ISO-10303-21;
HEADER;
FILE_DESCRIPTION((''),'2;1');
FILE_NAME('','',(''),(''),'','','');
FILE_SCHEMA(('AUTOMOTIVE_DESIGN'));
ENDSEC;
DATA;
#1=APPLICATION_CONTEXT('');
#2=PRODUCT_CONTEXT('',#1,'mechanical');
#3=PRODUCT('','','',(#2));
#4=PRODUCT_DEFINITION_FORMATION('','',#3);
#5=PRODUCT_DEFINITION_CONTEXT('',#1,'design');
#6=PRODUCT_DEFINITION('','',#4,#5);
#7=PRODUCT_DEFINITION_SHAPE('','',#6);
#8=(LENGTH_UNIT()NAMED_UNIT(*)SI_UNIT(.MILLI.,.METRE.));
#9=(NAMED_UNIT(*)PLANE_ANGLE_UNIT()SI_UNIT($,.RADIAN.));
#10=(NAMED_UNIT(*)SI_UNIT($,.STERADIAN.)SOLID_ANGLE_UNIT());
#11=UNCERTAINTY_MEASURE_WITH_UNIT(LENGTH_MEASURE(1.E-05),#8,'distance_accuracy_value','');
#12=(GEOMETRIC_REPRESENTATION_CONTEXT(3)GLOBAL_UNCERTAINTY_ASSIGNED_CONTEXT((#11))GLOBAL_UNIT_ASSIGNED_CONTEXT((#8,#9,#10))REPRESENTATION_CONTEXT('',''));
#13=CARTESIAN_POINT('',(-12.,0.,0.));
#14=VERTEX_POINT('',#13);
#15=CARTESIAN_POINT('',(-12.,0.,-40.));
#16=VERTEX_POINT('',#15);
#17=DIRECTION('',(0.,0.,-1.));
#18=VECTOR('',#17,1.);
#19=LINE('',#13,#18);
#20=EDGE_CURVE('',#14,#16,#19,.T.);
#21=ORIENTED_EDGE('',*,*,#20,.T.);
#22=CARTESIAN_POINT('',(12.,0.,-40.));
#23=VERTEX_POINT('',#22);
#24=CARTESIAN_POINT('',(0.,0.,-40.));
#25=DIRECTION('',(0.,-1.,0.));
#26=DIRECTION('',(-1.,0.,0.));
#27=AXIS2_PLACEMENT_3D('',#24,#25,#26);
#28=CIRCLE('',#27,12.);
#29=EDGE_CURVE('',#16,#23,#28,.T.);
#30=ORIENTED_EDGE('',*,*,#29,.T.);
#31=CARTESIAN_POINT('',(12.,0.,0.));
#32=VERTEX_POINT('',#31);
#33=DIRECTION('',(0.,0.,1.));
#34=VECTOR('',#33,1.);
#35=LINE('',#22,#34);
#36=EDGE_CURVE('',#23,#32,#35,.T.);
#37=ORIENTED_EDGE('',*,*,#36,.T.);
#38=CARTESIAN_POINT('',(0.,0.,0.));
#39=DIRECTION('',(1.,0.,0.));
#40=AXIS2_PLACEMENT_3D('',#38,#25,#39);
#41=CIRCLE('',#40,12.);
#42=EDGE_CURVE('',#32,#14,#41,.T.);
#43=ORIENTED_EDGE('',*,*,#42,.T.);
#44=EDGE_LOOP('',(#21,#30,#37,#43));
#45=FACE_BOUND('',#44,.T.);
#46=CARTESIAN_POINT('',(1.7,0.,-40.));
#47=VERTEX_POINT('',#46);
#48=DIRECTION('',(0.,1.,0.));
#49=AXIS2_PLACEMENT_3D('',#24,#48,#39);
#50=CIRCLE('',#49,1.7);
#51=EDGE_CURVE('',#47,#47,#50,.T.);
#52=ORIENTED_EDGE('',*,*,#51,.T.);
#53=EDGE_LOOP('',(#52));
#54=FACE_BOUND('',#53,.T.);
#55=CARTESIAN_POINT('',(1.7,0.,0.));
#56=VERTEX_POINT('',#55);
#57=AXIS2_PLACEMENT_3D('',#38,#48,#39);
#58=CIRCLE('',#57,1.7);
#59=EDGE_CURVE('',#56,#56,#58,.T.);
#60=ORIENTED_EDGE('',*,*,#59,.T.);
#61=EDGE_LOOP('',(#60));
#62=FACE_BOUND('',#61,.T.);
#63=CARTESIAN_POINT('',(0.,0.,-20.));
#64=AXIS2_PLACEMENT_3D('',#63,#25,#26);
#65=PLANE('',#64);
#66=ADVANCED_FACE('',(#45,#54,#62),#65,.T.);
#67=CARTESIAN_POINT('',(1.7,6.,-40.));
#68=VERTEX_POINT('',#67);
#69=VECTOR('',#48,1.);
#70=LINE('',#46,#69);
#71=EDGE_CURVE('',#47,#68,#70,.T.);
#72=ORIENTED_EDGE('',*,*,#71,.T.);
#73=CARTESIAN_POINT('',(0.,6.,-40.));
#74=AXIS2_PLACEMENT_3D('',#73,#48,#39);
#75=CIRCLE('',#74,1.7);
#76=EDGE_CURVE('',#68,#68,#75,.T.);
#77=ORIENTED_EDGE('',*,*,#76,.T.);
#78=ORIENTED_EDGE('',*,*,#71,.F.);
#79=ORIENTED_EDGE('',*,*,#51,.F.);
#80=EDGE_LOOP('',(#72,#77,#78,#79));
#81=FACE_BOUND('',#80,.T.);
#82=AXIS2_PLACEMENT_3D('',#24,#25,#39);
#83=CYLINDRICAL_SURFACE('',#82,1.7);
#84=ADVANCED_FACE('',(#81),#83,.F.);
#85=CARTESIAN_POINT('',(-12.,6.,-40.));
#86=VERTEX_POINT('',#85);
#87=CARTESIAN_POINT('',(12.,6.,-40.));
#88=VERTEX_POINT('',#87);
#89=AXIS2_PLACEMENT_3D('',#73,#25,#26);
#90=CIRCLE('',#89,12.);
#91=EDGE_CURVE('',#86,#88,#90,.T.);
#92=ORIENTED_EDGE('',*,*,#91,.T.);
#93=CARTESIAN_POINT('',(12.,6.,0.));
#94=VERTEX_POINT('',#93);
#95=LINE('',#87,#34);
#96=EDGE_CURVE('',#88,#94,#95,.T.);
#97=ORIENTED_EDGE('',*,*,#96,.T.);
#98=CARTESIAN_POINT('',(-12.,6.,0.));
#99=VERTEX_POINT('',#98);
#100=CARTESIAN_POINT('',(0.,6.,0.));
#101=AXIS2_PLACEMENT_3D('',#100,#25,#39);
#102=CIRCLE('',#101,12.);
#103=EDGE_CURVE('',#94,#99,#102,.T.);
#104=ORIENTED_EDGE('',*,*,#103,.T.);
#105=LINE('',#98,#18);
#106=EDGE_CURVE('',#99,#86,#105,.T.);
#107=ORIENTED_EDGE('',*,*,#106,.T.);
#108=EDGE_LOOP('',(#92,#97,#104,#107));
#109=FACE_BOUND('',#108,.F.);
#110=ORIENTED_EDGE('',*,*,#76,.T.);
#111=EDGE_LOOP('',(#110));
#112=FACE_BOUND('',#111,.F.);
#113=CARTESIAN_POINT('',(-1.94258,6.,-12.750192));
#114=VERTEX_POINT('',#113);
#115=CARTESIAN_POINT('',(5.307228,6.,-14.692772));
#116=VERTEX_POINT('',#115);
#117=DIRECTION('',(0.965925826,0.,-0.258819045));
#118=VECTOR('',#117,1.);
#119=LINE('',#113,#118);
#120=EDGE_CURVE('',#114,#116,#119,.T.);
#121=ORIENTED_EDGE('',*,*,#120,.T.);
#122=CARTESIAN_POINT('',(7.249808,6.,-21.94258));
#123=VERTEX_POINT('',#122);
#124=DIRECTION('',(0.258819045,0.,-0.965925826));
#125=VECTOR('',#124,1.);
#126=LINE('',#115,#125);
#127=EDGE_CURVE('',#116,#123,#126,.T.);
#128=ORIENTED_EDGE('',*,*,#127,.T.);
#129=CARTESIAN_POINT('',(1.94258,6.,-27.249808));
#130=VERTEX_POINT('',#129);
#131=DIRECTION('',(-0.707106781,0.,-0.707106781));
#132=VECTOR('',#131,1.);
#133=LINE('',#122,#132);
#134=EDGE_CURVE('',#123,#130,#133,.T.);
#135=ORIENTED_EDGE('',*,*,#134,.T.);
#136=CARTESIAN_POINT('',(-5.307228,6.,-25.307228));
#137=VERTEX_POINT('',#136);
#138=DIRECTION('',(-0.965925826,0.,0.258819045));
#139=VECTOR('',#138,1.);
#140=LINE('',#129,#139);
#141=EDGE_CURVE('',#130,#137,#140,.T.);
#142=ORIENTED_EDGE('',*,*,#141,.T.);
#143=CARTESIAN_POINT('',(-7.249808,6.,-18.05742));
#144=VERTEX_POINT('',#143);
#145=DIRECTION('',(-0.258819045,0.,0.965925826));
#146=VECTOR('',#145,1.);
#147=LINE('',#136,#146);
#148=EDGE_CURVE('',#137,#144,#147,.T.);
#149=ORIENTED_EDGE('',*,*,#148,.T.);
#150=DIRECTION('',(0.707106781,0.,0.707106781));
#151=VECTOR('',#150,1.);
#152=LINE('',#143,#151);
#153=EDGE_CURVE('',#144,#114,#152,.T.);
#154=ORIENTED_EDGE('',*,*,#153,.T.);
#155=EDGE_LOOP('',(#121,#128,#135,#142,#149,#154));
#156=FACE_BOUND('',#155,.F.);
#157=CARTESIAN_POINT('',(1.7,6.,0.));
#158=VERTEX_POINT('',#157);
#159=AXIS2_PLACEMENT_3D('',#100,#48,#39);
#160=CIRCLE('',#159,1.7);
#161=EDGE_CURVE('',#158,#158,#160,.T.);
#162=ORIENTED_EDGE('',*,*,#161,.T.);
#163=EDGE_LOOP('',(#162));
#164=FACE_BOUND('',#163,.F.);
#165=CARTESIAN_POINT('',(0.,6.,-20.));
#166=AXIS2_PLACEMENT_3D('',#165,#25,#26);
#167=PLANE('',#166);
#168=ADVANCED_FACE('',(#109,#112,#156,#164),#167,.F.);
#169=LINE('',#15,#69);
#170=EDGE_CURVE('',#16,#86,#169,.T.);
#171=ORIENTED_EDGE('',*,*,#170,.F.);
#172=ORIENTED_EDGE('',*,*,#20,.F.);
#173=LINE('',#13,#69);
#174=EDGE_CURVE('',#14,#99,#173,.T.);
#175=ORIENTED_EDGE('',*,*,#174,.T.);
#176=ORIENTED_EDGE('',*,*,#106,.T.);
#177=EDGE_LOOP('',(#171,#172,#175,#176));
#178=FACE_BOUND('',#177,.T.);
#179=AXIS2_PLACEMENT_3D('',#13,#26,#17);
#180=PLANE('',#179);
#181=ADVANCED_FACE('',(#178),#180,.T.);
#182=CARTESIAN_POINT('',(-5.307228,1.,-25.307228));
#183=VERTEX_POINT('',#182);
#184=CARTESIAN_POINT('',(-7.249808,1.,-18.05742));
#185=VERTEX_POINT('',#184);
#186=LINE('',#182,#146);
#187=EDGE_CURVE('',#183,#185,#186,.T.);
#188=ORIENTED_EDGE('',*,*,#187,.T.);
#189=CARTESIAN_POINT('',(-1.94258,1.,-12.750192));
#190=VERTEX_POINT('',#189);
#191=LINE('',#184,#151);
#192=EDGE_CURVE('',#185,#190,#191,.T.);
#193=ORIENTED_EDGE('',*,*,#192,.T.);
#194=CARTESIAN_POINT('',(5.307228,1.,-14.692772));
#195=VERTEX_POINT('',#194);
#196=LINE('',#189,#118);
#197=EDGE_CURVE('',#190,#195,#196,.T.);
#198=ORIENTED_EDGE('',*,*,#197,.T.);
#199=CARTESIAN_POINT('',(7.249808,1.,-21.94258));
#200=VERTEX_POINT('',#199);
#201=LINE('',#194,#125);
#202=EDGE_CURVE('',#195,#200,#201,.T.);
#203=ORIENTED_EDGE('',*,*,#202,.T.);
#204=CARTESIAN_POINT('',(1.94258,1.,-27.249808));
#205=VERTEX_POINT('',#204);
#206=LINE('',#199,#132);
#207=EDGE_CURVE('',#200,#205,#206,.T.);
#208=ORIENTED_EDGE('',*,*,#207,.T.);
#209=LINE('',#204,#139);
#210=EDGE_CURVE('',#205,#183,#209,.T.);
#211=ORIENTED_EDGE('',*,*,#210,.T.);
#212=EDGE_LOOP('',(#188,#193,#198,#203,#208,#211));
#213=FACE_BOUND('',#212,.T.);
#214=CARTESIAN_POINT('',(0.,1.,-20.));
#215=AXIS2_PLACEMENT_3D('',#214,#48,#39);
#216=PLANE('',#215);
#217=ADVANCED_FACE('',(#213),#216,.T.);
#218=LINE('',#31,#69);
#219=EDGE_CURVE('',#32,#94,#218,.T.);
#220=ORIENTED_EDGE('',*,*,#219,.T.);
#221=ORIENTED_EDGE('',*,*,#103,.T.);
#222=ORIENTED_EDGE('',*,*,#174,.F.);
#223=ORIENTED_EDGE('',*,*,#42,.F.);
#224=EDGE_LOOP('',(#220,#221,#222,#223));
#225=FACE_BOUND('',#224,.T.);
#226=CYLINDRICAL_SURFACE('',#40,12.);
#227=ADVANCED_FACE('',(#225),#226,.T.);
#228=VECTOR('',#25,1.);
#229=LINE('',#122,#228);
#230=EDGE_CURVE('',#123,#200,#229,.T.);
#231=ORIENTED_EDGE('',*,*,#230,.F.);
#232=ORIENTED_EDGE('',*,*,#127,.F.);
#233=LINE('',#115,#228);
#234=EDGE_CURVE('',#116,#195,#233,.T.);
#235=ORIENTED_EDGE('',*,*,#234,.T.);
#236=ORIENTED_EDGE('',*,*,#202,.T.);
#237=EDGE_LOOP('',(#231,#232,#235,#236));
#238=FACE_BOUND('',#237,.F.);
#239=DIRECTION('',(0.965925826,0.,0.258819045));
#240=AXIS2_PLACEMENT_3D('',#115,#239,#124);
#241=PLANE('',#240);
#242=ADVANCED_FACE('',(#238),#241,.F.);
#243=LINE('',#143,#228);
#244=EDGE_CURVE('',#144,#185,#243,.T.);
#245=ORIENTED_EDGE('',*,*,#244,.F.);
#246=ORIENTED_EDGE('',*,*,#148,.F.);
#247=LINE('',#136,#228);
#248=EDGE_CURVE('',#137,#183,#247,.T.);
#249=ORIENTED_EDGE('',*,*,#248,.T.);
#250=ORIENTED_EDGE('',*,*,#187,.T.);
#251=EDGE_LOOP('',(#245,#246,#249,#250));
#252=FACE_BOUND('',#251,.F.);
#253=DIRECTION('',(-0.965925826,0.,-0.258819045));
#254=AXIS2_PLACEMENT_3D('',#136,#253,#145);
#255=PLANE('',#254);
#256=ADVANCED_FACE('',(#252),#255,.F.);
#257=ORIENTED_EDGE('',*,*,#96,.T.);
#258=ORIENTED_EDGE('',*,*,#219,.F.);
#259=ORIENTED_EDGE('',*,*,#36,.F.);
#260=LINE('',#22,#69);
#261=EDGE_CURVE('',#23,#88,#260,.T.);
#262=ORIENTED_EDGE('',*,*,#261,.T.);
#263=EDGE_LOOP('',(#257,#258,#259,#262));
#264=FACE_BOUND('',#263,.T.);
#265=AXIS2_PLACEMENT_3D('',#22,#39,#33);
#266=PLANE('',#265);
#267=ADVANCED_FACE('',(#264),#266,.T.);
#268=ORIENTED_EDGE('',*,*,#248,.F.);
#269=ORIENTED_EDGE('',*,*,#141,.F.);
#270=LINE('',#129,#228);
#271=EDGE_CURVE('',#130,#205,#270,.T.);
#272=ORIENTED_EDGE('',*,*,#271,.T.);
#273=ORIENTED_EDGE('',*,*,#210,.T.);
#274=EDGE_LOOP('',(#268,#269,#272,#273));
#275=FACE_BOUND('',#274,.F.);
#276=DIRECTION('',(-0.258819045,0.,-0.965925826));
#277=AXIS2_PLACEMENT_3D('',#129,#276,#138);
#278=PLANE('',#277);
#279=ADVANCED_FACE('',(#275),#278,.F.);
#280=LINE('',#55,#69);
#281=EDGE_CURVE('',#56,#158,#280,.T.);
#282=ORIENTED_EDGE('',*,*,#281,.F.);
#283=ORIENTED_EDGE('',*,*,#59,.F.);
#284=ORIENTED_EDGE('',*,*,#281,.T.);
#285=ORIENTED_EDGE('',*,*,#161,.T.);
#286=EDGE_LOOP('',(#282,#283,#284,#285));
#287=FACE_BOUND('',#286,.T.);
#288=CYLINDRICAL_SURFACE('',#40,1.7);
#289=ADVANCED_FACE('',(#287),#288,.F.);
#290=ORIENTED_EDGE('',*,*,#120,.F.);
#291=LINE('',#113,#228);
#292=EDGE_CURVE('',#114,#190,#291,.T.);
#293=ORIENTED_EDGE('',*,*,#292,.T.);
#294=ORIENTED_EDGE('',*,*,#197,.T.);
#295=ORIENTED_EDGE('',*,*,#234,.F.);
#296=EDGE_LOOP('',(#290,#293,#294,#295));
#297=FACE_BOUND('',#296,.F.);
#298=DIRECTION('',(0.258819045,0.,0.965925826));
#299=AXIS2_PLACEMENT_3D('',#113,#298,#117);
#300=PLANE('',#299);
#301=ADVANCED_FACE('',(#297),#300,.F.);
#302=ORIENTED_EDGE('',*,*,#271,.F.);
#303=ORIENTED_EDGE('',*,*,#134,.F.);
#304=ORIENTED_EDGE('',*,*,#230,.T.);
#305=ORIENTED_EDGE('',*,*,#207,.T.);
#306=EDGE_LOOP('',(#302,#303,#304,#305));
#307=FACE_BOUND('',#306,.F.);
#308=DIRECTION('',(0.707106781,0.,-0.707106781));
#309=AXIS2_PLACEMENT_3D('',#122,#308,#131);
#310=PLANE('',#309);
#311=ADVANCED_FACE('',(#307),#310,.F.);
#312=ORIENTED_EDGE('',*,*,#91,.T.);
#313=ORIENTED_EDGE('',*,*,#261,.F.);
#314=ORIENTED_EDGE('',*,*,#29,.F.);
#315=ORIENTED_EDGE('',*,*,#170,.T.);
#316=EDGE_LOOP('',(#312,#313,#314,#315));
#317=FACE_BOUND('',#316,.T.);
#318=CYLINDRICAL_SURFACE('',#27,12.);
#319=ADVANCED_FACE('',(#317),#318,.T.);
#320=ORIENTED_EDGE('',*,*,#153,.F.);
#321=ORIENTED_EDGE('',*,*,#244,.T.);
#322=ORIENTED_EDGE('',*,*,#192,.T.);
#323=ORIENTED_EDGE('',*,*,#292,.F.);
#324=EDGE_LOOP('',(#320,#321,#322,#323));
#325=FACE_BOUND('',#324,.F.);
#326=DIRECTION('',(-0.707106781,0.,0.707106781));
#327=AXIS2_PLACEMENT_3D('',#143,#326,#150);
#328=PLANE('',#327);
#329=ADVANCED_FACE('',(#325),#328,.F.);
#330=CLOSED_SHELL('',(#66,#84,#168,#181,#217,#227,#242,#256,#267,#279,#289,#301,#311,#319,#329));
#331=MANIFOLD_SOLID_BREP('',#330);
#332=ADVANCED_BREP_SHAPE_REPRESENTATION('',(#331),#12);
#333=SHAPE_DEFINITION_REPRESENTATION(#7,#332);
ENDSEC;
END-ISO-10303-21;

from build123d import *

# Parameters (mm, degrees)
SKETCH1_R           = 1.7
BOSS_EXTRUDE1_DEPTH = 6
CUT_EXTRUDE1_DEPTH  = 5


with BuildPart() as part:
    # Sketch1 → Boss-Extrude1 (new body)
    with BuildSketch(Plane(origin=(0, 0, 0), x_dir=(1, 0, 0), z_dir=(0, 1, 0))):
        with BuildLine():
            Line((-12, 0), (-12, 40))
            ThreePointArc((-12, 40), (0, 52), (12, 40))
            Line((12, 40), (12, 0))
            ThreePointArc((12, 0), (0, -12), (-12, 0))
        make_face()
        with Locations((0, 40)):
            Circle(SKETCH1_R, mode=Mode.SUBTRACT)
        Circle(SKETCH1_R, mode=Mode.SUBTRACT)
    extrude(amount=BOSS_EXTRUDE1_DEPTH)

    # Sketch2 → Cut-Extrude1 (cut)
    with BuildSketch(Plane(origin=(0, 6, 0), x_dir=(1, 0, 0), z_dir=(0, 1, 0))):
        Polygon((5.307227776, 14.692772224), (7.249807966, 21.94258019), (1.94258019, 27.249807966), (-5.307227776, 25.307227776), (-7.249807966, 18.05741981), (-1.94258019, 12.750192034), align=None)
    extrude(amount=-CUT_EXTRUDE1_DEPTH, mode=Mode.SUBTRACT)


solid = part.part
